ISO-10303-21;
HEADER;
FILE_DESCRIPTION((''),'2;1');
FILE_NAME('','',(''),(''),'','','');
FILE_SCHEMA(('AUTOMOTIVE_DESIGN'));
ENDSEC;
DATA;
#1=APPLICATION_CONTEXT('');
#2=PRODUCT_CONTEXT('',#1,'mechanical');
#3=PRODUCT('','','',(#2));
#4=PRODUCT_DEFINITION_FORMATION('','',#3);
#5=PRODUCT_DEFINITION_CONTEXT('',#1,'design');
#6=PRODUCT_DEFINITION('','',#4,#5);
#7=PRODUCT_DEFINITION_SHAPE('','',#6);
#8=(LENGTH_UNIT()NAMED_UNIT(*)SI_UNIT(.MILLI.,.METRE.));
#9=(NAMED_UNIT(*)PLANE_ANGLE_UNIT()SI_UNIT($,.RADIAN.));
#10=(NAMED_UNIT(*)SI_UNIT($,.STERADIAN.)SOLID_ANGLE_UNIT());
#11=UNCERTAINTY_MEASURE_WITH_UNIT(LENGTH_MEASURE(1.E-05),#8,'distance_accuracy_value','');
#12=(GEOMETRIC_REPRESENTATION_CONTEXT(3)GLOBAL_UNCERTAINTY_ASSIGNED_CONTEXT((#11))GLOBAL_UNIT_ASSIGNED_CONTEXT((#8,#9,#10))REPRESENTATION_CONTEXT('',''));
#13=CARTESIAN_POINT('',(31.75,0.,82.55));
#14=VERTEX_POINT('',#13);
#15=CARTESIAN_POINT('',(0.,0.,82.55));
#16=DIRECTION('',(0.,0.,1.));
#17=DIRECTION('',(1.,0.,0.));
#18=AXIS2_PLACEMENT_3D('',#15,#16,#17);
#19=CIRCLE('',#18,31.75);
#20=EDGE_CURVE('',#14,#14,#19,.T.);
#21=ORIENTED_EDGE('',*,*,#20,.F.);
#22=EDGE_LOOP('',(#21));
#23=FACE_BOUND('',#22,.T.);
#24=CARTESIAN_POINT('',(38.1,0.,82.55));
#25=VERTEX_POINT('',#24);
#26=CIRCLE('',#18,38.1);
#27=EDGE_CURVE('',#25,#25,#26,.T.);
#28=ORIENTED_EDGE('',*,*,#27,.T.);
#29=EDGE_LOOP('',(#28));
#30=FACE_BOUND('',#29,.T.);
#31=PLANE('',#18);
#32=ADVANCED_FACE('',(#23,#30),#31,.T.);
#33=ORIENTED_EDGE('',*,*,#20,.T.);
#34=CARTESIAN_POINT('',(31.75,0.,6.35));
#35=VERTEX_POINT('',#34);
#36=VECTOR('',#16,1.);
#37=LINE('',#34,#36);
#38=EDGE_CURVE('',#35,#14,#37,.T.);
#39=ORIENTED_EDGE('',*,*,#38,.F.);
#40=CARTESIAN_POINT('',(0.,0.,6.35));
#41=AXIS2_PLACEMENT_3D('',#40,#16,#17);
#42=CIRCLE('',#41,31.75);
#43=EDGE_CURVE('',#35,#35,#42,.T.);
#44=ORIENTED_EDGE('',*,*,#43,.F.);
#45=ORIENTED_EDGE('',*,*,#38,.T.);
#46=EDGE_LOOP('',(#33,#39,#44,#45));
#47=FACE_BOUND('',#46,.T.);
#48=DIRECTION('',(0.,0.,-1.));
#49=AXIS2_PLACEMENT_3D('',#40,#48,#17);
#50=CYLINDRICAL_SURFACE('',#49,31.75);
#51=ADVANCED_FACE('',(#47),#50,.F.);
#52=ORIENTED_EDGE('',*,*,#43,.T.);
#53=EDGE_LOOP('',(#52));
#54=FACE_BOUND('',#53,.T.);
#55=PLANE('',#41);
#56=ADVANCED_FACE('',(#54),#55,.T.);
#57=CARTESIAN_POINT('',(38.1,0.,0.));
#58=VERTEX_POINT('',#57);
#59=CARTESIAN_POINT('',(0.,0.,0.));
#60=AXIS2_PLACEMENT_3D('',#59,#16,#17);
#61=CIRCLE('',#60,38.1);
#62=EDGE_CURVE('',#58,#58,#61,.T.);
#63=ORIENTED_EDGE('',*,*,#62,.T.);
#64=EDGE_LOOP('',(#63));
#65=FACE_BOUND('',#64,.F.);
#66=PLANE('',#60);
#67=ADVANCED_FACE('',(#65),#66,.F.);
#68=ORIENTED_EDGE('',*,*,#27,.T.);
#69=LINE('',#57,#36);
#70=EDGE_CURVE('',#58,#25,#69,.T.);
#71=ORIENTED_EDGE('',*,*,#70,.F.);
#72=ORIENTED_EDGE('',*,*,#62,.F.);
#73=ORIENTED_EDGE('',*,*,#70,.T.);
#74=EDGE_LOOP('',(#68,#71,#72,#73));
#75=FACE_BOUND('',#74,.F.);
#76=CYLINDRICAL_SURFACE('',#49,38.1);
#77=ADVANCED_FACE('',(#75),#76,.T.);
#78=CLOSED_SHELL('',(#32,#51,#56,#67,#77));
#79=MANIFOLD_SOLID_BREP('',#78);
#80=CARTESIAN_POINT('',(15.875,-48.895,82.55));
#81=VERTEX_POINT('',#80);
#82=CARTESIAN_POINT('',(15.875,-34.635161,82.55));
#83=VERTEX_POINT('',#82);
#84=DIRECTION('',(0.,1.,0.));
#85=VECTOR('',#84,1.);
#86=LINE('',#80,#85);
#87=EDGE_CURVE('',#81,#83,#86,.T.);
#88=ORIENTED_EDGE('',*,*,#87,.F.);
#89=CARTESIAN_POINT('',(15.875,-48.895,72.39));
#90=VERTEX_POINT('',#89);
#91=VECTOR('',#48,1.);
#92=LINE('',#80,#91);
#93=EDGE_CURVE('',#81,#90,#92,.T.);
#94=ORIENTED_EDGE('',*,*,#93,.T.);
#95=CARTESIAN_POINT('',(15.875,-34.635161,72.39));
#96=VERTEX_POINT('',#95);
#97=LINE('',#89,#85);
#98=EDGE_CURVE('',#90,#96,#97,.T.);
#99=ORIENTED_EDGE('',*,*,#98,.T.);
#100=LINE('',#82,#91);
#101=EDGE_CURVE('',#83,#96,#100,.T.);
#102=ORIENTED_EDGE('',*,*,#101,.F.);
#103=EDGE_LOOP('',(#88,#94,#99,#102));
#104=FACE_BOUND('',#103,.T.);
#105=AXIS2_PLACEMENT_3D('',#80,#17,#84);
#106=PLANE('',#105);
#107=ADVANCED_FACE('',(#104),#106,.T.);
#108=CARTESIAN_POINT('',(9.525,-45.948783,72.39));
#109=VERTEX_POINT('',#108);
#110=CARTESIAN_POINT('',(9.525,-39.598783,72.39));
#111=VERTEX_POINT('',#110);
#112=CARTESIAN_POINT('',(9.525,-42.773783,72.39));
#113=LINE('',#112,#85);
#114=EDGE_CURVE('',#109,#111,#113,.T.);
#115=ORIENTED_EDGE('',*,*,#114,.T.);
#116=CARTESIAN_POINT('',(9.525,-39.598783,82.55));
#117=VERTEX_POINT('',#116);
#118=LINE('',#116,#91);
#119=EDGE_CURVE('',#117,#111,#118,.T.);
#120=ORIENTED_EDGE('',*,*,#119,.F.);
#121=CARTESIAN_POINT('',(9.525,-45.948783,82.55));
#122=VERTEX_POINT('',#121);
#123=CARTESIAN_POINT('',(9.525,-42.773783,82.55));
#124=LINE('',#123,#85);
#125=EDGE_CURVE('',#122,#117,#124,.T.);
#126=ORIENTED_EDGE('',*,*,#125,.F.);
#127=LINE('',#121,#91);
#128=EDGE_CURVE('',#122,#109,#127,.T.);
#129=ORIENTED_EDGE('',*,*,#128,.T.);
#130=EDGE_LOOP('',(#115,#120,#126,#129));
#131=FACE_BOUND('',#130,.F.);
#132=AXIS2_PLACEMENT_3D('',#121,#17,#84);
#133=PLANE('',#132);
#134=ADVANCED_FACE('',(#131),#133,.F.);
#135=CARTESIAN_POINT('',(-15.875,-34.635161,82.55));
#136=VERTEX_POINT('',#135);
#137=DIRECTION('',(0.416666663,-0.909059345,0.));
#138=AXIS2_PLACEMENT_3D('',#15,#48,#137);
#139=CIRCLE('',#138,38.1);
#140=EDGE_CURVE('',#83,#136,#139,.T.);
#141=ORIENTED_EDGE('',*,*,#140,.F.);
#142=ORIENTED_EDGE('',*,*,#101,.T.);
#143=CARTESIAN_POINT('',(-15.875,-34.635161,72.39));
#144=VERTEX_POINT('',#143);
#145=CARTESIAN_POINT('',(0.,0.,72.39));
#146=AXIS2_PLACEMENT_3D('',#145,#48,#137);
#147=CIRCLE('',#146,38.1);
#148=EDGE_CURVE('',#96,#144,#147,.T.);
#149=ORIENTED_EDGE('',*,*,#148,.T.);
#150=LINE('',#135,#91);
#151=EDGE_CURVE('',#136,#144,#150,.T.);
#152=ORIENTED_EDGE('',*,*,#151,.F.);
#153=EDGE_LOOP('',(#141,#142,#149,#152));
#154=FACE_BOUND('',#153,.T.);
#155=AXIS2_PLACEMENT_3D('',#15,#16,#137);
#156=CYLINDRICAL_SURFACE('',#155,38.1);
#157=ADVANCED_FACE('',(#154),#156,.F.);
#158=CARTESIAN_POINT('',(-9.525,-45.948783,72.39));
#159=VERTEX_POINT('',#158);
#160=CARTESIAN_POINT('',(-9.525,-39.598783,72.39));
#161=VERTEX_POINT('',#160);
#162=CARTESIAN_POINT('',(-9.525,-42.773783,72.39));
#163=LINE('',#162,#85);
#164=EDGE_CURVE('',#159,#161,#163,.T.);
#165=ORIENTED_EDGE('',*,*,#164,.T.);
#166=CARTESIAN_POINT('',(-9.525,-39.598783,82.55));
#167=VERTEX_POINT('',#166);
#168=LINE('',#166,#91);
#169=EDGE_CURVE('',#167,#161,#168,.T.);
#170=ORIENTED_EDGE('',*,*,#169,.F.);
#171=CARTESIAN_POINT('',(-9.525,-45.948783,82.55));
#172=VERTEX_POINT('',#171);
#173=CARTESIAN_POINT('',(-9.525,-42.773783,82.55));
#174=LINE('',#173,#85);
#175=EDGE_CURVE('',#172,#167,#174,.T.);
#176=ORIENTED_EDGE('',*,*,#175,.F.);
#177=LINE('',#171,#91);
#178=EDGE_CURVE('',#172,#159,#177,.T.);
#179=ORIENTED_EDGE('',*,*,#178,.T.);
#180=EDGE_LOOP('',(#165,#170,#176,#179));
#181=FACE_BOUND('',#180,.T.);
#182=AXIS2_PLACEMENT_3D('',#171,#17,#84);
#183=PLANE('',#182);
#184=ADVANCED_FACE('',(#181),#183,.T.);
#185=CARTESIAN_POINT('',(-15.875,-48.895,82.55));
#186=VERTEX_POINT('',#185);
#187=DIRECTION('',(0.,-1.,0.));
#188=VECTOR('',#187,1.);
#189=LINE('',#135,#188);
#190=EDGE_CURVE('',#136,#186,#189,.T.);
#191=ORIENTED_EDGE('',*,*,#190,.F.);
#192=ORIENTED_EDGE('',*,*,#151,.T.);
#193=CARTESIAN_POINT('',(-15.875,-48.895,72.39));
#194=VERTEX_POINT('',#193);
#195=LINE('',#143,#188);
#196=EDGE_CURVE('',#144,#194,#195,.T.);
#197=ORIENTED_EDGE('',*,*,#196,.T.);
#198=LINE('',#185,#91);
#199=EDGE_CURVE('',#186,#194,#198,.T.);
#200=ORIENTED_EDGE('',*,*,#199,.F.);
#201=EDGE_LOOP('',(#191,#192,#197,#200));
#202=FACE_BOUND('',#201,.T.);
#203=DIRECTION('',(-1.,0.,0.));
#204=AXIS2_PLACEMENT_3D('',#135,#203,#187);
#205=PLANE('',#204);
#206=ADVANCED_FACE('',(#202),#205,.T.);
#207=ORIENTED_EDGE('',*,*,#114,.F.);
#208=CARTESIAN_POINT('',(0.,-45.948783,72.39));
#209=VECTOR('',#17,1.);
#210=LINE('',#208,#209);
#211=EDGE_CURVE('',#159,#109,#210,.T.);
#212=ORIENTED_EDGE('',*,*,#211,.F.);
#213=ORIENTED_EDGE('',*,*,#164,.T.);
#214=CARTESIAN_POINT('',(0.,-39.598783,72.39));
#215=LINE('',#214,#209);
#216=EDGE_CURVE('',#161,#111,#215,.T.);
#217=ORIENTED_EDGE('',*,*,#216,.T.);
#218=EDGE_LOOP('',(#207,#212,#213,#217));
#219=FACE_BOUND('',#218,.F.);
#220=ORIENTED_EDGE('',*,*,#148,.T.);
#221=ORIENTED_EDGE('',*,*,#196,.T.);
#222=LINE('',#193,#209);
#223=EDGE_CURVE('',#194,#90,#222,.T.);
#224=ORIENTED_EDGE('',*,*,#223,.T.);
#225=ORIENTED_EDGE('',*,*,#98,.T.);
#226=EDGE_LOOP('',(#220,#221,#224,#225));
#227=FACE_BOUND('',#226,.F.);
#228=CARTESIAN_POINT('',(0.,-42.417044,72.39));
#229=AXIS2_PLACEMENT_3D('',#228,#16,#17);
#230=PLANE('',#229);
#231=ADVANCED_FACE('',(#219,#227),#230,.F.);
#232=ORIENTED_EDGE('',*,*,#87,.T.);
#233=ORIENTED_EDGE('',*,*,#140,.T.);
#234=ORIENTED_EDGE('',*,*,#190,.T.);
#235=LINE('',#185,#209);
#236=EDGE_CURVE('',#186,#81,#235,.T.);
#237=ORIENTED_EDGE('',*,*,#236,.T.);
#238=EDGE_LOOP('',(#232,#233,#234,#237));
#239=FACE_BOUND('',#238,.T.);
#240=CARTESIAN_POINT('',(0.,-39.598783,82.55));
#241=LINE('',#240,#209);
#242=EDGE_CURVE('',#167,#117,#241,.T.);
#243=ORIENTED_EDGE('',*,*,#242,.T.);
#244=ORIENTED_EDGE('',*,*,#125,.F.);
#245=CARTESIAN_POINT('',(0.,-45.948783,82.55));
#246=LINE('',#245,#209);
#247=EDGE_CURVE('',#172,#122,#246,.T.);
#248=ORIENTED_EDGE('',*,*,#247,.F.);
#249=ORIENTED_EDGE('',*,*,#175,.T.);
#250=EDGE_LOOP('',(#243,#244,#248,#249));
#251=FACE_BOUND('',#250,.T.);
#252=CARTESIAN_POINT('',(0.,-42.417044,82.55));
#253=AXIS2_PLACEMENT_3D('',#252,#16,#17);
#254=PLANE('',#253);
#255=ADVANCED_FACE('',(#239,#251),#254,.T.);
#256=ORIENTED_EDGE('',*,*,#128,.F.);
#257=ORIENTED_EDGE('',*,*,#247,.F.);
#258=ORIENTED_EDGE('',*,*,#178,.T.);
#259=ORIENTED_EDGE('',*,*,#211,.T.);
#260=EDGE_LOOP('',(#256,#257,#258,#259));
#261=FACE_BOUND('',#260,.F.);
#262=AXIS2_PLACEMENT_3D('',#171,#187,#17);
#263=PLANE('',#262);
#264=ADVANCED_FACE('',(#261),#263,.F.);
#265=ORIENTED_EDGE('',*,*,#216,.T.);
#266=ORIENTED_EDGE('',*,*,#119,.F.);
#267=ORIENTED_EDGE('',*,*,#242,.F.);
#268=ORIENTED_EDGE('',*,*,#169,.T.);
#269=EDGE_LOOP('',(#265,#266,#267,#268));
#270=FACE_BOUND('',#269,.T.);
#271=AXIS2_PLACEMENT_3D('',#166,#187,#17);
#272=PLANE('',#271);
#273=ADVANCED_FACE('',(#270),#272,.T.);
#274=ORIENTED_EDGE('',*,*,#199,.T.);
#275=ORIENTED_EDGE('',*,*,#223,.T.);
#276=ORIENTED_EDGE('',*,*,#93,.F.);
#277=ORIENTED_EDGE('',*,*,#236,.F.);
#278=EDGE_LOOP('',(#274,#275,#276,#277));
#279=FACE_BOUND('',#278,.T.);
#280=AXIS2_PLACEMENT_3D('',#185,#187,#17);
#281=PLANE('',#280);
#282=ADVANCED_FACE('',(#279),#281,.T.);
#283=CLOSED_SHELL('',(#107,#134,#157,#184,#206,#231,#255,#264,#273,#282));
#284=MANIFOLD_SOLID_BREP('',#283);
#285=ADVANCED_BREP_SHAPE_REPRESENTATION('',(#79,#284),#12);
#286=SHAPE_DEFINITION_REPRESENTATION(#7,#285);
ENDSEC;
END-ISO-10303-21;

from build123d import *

# Parameters (mm, degrees)
F0_R     = 38.1
F1_DEPTH = 6.35
F2_R     = 38.1
F2_R_2   = 31.75
F3_DEPTH = 76.2
F4_W     = 19.05
F4_H     = 6.35
F5_DEPTH = 10.16


with BuildPart() as f1:
    # F0 (on Top) → F1 (new body)
    with BuildSketch(Plane.XY):
        Circle(F0_R)
    extrude(amount=F1_DEPTH)

    # F2 (on face) → F3 (join)
    with BuildSketch(Plane.XY.offset(6.35)):
        Circle(F2_R)
        Circle(F2_R_2, mode=Mode.SUBTRACT)
    extrude(amount=F3_DEPTH)


with BuildPart() as f5:
    # F4 (on face) → F5 (new body)
    with BuildSketch(Plane.XY.offset(82.55)):
        with BuildLine():
            Line((-15.875, -48.895), (15.875, -48.895))
            Line((15.875, -48.895), (15.875, -34.635161))
            ThreePointArc((15.875, -34.635161), (0, -38.1), (-15.875, -34.635161))
            Line((-15.875, -34.635161), (-15.875, -48.895))
        make_face()
        with Locations((0, -42.773783)):
            Rectangle(F4_W, F4_H, mode=Mode.SUBTRACT)
    extrude(amount=-F5_DEPTH)


solid = Compound([f1.part, f5.part])
